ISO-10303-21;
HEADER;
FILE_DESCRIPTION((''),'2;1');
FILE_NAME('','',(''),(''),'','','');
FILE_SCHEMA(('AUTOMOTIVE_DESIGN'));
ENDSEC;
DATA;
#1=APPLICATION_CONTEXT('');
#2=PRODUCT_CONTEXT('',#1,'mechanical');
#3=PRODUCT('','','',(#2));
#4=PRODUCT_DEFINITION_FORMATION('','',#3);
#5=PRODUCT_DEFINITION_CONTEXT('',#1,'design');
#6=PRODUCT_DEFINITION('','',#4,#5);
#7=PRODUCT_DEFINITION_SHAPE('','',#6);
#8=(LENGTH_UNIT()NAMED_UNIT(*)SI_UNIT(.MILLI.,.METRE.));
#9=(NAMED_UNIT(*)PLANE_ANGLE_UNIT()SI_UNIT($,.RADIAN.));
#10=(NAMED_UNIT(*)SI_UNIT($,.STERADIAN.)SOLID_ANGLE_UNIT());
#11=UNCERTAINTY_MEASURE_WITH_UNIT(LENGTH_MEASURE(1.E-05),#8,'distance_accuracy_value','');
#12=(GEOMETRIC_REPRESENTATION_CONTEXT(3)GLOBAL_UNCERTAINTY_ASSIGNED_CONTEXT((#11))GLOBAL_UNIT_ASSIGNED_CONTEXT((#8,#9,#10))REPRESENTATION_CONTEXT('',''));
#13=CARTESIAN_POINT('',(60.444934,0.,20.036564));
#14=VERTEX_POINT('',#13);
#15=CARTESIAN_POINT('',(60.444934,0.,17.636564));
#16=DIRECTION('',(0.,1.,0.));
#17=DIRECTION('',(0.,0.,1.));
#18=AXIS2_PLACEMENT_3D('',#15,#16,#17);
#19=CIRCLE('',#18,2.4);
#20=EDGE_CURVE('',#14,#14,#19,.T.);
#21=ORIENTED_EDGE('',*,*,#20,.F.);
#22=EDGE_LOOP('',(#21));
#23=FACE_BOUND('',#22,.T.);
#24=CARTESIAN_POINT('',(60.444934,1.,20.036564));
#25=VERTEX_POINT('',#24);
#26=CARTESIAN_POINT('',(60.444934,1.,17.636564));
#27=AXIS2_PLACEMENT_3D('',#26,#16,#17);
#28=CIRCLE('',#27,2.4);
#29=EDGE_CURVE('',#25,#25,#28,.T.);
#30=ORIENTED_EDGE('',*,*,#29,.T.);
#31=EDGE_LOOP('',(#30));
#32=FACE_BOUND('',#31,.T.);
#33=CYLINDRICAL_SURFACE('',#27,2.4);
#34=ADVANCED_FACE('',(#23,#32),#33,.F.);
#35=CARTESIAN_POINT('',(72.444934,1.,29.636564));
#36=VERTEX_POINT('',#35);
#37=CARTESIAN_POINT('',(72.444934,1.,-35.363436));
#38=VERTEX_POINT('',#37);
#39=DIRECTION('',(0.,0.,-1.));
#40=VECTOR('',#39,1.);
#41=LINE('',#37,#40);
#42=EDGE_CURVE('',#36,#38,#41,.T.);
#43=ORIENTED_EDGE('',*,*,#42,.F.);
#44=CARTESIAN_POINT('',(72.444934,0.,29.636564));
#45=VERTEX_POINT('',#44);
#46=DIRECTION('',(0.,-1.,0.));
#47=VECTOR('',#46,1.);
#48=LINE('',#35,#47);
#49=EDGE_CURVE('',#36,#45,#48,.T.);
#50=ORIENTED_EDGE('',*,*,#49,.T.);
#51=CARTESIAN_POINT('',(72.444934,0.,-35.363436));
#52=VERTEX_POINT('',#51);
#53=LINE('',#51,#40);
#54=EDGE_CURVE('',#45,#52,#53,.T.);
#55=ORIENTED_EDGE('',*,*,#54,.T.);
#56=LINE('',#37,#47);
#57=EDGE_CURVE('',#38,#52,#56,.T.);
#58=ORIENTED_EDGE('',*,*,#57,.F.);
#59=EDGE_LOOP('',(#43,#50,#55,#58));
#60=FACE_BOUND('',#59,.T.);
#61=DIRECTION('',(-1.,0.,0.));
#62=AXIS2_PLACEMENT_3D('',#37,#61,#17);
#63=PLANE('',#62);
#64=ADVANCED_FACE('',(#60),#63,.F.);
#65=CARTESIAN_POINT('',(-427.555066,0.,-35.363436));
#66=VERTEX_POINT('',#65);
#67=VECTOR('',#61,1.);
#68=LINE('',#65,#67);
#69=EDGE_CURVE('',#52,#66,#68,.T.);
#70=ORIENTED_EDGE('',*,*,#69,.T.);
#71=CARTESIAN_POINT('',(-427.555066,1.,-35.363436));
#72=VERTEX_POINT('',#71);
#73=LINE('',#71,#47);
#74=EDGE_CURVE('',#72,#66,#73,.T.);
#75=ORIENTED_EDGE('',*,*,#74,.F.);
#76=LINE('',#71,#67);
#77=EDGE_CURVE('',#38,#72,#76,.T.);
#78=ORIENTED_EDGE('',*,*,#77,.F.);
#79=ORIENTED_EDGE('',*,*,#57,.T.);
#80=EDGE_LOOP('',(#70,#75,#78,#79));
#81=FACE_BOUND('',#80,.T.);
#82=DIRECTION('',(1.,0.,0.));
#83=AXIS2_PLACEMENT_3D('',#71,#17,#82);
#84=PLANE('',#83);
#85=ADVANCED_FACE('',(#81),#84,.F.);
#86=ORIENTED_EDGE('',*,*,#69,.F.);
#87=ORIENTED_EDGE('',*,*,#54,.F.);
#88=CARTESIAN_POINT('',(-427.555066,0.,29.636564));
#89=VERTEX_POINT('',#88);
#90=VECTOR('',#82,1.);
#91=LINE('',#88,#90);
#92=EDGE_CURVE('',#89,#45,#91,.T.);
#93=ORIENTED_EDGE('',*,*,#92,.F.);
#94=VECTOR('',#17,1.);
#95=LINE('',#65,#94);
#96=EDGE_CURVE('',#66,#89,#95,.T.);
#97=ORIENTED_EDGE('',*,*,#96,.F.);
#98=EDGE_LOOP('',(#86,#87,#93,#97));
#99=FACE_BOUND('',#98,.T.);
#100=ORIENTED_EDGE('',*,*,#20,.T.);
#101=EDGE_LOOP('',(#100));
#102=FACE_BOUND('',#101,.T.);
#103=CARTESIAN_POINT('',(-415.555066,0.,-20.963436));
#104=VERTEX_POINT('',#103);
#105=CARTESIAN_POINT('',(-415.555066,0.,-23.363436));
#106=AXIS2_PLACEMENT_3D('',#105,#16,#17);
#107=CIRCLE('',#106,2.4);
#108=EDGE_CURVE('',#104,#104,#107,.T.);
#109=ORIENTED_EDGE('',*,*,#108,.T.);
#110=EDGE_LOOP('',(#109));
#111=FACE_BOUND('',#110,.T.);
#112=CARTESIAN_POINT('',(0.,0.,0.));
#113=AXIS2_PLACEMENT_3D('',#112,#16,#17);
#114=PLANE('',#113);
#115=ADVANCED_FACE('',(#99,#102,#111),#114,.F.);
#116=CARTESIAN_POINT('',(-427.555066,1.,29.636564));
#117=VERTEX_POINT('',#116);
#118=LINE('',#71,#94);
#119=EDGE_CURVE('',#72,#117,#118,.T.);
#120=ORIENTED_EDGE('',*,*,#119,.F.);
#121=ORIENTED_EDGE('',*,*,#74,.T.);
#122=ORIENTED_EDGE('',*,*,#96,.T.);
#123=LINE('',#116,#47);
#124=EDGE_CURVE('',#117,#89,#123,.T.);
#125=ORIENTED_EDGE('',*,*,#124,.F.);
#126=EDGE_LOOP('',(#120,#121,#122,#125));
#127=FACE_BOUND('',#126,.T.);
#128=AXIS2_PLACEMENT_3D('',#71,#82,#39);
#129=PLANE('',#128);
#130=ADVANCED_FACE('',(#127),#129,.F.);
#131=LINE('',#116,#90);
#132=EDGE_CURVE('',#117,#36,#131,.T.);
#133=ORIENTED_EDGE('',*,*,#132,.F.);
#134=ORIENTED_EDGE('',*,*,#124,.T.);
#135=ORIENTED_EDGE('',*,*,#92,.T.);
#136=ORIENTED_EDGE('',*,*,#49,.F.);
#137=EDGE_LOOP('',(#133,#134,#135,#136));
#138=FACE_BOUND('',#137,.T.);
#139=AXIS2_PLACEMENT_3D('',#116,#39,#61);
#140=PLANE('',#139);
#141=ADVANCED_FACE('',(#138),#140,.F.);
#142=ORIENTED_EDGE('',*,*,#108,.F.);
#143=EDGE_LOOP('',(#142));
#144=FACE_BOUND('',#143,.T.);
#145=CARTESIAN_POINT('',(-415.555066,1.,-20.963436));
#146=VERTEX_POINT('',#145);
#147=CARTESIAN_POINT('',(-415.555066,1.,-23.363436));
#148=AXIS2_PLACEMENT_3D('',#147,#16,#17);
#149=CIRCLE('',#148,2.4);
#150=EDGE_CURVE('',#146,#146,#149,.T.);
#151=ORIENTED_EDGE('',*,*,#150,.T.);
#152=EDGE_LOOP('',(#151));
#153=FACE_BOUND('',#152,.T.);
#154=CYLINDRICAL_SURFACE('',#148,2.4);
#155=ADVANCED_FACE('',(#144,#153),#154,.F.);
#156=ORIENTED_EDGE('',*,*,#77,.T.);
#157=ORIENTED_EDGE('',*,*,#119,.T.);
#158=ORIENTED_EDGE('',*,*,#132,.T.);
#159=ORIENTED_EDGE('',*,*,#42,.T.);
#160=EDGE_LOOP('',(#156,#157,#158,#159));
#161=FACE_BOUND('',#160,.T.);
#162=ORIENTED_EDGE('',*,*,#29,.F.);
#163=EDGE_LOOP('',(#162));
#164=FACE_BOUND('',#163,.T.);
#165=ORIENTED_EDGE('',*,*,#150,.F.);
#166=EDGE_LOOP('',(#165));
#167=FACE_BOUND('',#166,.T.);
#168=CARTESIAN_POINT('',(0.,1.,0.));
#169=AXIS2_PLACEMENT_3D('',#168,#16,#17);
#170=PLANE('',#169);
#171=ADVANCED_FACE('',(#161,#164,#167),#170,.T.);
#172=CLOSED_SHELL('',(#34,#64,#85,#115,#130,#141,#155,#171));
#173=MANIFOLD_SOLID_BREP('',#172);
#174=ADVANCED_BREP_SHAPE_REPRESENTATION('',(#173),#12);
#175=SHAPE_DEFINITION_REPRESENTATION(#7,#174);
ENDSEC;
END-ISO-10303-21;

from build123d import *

# Parameters (mm, degrees)
SKETCH1_W            = 500
SKETCH1_H            = 65
BOSS_EXTRUDE1_DEPTH  = 1
M4_CLEARANCE_SLOT1_D = 4.8


with BuildPart() as part:
    # Sketch1 → Boss-Extrude1 (new body)
    with BuildSketch(Plane(origin=(0, 0, 0), x_dir=(1, 0, 0), z_dir=(0, 1, 0))):
        with Locations((-177.555066079, 2.863436123)):
            Rectangle(SKETCH1_W, SKETCH1_H)
    extrude(amount=BOSS_EXTRUDE1_DEPTH)

    # M4 Clearance Slot1 (through all)
    with Locations(Plane(origin=(0, 1, 0), x_dir=(1, 0, 0), z_dir=(0, 1, 0))):
        with Locations((-415.555066079, 23.363436123), (60.444933921, -17.636563877)):
            Hole(M4_CLEARANCE_SLOT1_D / 2)


solid = part.part
